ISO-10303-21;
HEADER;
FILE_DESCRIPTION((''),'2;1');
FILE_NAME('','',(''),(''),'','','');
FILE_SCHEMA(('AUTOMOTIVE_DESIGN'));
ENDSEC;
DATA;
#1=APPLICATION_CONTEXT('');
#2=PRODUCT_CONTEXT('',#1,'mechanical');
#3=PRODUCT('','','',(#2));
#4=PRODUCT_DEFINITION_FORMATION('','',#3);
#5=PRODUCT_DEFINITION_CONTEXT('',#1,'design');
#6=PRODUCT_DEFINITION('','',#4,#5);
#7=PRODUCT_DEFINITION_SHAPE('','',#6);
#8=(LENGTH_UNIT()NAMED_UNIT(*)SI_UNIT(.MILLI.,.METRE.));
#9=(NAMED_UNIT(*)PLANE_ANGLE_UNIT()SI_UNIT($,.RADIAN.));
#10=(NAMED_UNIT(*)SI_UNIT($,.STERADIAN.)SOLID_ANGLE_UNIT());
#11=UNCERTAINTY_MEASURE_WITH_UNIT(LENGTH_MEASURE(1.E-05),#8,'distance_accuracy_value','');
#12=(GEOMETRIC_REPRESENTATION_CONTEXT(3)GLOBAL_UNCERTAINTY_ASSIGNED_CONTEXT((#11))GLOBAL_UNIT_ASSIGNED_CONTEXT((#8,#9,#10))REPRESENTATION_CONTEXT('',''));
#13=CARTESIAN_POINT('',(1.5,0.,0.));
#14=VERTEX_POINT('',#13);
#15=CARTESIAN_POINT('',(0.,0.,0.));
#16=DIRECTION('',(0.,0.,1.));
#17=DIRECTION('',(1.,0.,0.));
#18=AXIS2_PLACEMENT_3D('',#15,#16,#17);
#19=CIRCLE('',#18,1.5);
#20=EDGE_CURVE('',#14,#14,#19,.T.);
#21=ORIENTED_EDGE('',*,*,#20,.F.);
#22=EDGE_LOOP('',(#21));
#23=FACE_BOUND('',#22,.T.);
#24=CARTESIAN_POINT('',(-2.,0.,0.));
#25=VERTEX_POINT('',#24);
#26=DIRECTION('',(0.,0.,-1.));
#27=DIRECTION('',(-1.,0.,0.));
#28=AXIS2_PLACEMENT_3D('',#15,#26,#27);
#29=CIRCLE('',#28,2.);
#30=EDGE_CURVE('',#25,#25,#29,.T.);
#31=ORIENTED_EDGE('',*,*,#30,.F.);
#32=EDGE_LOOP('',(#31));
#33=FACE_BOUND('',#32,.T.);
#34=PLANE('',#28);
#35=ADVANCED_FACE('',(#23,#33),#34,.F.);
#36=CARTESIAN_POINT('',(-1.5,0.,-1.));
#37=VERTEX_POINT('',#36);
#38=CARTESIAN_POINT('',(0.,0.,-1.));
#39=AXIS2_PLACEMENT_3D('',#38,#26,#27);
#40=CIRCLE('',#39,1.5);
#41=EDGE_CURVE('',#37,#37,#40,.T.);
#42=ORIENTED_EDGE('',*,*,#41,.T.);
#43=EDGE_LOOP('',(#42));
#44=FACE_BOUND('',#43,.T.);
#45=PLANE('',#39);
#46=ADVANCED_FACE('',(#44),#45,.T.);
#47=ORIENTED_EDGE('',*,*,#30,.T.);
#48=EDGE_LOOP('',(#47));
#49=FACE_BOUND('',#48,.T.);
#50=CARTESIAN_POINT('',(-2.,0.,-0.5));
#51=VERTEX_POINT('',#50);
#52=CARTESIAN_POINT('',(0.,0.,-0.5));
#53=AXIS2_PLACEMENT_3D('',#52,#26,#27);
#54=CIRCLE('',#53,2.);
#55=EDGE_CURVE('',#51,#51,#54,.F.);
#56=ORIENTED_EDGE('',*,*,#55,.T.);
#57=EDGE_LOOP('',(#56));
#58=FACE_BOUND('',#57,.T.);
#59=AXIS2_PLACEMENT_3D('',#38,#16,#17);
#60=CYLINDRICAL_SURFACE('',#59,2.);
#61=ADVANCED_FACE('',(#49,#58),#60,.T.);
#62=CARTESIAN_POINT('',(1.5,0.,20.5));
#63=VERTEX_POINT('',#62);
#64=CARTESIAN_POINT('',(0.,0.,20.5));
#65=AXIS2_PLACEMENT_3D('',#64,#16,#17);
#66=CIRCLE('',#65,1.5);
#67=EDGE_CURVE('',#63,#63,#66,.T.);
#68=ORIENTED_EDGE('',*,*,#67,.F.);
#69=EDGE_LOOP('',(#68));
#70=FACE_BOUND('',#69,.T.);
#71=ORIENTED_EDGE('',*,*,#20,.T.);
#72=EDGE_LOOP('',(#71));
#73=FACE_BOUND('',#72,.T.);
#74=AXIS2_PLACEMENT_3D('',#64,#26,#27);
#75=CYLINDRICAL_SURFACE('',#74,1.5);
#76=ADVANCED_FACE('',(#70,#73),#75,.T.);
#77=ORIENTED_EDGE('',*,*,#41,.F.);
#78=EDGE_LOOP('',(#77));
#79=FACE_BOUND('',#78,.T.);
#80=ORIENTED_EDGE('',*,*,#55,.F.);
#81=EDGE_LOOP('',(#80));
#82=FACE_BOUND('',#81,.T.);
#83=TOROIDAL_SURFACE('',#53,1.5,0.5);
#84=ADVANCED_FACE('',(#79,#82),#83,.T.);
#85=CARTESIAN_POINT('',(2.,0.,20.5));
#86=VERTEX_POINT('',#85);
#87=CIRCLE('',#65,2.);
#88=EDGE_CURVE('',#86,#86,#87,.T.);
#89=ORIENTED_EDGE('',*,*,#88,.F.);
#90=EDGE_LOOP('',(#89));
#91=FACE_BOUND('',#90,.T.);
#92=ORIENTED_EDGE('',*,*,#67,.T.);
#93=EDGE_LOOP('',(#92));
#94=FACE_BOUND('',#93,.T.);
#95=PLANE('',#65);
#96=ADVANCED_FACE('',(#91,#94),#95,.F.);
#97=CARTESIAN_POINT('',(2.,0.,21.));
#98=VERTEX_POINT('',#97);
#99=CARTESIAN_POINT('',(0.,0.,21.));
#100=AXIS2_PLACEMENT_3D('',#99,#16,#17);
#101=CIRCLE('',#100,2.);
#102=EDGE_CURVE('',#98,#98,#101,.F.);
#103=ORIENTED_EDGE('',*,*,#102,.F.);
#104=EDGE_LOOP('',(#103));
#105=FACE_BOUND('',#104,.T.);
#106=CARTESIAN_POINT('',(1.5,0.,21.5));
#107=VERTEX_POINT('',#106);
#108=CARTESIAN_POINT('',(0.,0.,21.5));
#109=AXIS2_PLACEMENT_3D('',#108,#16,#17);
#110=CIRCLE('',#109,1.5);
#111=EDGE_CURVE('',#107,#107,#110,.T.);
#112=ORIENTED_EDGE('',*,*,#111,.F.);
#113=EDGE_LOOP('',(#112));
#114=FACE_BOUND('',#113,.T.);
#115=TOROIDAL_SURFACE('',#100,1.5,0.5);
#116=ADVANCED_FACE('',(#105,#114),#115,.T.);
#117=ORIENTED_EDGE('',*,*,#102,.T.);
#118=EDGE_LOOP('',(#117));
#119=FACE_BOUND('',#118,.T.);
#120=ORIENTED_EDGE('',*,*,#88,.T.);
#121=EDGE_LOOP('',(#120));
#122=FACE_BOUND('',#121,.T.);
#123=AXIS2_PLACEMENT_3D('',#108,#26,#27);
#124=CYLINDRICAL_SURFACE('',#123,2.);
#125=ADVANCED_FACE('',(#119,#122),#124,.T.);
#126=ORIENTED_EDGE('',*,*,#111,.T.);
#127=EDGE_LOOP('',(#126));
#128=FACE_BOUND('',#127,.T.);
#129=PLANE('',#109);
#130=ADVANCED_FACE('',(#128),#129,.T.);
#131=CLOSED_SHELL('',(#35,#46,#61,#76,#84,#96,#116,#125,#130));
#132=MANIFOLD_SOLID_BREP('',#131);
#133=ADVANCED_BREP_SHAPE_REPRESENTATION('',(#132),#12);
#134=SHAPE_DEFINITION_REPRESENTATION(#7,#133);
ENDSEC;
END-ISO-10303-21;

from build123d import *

# Parameters (mm, degrees)
SKETCH1_R           = 1.5
BOSS_EXTRUDE1_DEPTH = 20.5
SKETCH2_R           = 2
BOSS_EXTRUDE2_DEPTH = 1
SKETCH3_R           = 2
BOSS_EXTRUDE3_DEPTH = 1
FILLET1_R           = 0.5


with BuildPart() as part:
    # Sketch1 → Boss-Extrude1 (new body)
    with BuildSketch(Plane.XY):
        Circle(SKETCH1_R)
    extrude(amount=BOSS_EXTRUDE1_DEPTH)

    # Sketch2 → Boss-Extrude2 (add)
    with BuildSketch(Plane(origin=(0, 0, 0), x_dir=(-1, 0, 0), z_dir=(0, 0, -1))):
        Circle(SKETCH2_R)
    extrude(amount=BOSS_EXTRUDE2_DEPTH)

    # Sketch3 → Boss-Extrude3 (add)
    with BuildSketch(Plane.XY.offset(20.5)):
        Circle(SKETCH3_R)
    extrude(amount=BOSS_EXTRUDE3_DEPTH)

    # Fillet1
    fillet1_edges = [part.edges().sort_by_distance(p)[0] for p in [
        (-2, 0, 21.5),
        (2, 0, -1),
    ]]
    fillet(fillet1_edges, radius=FILLET1_R)


solid = part.part
